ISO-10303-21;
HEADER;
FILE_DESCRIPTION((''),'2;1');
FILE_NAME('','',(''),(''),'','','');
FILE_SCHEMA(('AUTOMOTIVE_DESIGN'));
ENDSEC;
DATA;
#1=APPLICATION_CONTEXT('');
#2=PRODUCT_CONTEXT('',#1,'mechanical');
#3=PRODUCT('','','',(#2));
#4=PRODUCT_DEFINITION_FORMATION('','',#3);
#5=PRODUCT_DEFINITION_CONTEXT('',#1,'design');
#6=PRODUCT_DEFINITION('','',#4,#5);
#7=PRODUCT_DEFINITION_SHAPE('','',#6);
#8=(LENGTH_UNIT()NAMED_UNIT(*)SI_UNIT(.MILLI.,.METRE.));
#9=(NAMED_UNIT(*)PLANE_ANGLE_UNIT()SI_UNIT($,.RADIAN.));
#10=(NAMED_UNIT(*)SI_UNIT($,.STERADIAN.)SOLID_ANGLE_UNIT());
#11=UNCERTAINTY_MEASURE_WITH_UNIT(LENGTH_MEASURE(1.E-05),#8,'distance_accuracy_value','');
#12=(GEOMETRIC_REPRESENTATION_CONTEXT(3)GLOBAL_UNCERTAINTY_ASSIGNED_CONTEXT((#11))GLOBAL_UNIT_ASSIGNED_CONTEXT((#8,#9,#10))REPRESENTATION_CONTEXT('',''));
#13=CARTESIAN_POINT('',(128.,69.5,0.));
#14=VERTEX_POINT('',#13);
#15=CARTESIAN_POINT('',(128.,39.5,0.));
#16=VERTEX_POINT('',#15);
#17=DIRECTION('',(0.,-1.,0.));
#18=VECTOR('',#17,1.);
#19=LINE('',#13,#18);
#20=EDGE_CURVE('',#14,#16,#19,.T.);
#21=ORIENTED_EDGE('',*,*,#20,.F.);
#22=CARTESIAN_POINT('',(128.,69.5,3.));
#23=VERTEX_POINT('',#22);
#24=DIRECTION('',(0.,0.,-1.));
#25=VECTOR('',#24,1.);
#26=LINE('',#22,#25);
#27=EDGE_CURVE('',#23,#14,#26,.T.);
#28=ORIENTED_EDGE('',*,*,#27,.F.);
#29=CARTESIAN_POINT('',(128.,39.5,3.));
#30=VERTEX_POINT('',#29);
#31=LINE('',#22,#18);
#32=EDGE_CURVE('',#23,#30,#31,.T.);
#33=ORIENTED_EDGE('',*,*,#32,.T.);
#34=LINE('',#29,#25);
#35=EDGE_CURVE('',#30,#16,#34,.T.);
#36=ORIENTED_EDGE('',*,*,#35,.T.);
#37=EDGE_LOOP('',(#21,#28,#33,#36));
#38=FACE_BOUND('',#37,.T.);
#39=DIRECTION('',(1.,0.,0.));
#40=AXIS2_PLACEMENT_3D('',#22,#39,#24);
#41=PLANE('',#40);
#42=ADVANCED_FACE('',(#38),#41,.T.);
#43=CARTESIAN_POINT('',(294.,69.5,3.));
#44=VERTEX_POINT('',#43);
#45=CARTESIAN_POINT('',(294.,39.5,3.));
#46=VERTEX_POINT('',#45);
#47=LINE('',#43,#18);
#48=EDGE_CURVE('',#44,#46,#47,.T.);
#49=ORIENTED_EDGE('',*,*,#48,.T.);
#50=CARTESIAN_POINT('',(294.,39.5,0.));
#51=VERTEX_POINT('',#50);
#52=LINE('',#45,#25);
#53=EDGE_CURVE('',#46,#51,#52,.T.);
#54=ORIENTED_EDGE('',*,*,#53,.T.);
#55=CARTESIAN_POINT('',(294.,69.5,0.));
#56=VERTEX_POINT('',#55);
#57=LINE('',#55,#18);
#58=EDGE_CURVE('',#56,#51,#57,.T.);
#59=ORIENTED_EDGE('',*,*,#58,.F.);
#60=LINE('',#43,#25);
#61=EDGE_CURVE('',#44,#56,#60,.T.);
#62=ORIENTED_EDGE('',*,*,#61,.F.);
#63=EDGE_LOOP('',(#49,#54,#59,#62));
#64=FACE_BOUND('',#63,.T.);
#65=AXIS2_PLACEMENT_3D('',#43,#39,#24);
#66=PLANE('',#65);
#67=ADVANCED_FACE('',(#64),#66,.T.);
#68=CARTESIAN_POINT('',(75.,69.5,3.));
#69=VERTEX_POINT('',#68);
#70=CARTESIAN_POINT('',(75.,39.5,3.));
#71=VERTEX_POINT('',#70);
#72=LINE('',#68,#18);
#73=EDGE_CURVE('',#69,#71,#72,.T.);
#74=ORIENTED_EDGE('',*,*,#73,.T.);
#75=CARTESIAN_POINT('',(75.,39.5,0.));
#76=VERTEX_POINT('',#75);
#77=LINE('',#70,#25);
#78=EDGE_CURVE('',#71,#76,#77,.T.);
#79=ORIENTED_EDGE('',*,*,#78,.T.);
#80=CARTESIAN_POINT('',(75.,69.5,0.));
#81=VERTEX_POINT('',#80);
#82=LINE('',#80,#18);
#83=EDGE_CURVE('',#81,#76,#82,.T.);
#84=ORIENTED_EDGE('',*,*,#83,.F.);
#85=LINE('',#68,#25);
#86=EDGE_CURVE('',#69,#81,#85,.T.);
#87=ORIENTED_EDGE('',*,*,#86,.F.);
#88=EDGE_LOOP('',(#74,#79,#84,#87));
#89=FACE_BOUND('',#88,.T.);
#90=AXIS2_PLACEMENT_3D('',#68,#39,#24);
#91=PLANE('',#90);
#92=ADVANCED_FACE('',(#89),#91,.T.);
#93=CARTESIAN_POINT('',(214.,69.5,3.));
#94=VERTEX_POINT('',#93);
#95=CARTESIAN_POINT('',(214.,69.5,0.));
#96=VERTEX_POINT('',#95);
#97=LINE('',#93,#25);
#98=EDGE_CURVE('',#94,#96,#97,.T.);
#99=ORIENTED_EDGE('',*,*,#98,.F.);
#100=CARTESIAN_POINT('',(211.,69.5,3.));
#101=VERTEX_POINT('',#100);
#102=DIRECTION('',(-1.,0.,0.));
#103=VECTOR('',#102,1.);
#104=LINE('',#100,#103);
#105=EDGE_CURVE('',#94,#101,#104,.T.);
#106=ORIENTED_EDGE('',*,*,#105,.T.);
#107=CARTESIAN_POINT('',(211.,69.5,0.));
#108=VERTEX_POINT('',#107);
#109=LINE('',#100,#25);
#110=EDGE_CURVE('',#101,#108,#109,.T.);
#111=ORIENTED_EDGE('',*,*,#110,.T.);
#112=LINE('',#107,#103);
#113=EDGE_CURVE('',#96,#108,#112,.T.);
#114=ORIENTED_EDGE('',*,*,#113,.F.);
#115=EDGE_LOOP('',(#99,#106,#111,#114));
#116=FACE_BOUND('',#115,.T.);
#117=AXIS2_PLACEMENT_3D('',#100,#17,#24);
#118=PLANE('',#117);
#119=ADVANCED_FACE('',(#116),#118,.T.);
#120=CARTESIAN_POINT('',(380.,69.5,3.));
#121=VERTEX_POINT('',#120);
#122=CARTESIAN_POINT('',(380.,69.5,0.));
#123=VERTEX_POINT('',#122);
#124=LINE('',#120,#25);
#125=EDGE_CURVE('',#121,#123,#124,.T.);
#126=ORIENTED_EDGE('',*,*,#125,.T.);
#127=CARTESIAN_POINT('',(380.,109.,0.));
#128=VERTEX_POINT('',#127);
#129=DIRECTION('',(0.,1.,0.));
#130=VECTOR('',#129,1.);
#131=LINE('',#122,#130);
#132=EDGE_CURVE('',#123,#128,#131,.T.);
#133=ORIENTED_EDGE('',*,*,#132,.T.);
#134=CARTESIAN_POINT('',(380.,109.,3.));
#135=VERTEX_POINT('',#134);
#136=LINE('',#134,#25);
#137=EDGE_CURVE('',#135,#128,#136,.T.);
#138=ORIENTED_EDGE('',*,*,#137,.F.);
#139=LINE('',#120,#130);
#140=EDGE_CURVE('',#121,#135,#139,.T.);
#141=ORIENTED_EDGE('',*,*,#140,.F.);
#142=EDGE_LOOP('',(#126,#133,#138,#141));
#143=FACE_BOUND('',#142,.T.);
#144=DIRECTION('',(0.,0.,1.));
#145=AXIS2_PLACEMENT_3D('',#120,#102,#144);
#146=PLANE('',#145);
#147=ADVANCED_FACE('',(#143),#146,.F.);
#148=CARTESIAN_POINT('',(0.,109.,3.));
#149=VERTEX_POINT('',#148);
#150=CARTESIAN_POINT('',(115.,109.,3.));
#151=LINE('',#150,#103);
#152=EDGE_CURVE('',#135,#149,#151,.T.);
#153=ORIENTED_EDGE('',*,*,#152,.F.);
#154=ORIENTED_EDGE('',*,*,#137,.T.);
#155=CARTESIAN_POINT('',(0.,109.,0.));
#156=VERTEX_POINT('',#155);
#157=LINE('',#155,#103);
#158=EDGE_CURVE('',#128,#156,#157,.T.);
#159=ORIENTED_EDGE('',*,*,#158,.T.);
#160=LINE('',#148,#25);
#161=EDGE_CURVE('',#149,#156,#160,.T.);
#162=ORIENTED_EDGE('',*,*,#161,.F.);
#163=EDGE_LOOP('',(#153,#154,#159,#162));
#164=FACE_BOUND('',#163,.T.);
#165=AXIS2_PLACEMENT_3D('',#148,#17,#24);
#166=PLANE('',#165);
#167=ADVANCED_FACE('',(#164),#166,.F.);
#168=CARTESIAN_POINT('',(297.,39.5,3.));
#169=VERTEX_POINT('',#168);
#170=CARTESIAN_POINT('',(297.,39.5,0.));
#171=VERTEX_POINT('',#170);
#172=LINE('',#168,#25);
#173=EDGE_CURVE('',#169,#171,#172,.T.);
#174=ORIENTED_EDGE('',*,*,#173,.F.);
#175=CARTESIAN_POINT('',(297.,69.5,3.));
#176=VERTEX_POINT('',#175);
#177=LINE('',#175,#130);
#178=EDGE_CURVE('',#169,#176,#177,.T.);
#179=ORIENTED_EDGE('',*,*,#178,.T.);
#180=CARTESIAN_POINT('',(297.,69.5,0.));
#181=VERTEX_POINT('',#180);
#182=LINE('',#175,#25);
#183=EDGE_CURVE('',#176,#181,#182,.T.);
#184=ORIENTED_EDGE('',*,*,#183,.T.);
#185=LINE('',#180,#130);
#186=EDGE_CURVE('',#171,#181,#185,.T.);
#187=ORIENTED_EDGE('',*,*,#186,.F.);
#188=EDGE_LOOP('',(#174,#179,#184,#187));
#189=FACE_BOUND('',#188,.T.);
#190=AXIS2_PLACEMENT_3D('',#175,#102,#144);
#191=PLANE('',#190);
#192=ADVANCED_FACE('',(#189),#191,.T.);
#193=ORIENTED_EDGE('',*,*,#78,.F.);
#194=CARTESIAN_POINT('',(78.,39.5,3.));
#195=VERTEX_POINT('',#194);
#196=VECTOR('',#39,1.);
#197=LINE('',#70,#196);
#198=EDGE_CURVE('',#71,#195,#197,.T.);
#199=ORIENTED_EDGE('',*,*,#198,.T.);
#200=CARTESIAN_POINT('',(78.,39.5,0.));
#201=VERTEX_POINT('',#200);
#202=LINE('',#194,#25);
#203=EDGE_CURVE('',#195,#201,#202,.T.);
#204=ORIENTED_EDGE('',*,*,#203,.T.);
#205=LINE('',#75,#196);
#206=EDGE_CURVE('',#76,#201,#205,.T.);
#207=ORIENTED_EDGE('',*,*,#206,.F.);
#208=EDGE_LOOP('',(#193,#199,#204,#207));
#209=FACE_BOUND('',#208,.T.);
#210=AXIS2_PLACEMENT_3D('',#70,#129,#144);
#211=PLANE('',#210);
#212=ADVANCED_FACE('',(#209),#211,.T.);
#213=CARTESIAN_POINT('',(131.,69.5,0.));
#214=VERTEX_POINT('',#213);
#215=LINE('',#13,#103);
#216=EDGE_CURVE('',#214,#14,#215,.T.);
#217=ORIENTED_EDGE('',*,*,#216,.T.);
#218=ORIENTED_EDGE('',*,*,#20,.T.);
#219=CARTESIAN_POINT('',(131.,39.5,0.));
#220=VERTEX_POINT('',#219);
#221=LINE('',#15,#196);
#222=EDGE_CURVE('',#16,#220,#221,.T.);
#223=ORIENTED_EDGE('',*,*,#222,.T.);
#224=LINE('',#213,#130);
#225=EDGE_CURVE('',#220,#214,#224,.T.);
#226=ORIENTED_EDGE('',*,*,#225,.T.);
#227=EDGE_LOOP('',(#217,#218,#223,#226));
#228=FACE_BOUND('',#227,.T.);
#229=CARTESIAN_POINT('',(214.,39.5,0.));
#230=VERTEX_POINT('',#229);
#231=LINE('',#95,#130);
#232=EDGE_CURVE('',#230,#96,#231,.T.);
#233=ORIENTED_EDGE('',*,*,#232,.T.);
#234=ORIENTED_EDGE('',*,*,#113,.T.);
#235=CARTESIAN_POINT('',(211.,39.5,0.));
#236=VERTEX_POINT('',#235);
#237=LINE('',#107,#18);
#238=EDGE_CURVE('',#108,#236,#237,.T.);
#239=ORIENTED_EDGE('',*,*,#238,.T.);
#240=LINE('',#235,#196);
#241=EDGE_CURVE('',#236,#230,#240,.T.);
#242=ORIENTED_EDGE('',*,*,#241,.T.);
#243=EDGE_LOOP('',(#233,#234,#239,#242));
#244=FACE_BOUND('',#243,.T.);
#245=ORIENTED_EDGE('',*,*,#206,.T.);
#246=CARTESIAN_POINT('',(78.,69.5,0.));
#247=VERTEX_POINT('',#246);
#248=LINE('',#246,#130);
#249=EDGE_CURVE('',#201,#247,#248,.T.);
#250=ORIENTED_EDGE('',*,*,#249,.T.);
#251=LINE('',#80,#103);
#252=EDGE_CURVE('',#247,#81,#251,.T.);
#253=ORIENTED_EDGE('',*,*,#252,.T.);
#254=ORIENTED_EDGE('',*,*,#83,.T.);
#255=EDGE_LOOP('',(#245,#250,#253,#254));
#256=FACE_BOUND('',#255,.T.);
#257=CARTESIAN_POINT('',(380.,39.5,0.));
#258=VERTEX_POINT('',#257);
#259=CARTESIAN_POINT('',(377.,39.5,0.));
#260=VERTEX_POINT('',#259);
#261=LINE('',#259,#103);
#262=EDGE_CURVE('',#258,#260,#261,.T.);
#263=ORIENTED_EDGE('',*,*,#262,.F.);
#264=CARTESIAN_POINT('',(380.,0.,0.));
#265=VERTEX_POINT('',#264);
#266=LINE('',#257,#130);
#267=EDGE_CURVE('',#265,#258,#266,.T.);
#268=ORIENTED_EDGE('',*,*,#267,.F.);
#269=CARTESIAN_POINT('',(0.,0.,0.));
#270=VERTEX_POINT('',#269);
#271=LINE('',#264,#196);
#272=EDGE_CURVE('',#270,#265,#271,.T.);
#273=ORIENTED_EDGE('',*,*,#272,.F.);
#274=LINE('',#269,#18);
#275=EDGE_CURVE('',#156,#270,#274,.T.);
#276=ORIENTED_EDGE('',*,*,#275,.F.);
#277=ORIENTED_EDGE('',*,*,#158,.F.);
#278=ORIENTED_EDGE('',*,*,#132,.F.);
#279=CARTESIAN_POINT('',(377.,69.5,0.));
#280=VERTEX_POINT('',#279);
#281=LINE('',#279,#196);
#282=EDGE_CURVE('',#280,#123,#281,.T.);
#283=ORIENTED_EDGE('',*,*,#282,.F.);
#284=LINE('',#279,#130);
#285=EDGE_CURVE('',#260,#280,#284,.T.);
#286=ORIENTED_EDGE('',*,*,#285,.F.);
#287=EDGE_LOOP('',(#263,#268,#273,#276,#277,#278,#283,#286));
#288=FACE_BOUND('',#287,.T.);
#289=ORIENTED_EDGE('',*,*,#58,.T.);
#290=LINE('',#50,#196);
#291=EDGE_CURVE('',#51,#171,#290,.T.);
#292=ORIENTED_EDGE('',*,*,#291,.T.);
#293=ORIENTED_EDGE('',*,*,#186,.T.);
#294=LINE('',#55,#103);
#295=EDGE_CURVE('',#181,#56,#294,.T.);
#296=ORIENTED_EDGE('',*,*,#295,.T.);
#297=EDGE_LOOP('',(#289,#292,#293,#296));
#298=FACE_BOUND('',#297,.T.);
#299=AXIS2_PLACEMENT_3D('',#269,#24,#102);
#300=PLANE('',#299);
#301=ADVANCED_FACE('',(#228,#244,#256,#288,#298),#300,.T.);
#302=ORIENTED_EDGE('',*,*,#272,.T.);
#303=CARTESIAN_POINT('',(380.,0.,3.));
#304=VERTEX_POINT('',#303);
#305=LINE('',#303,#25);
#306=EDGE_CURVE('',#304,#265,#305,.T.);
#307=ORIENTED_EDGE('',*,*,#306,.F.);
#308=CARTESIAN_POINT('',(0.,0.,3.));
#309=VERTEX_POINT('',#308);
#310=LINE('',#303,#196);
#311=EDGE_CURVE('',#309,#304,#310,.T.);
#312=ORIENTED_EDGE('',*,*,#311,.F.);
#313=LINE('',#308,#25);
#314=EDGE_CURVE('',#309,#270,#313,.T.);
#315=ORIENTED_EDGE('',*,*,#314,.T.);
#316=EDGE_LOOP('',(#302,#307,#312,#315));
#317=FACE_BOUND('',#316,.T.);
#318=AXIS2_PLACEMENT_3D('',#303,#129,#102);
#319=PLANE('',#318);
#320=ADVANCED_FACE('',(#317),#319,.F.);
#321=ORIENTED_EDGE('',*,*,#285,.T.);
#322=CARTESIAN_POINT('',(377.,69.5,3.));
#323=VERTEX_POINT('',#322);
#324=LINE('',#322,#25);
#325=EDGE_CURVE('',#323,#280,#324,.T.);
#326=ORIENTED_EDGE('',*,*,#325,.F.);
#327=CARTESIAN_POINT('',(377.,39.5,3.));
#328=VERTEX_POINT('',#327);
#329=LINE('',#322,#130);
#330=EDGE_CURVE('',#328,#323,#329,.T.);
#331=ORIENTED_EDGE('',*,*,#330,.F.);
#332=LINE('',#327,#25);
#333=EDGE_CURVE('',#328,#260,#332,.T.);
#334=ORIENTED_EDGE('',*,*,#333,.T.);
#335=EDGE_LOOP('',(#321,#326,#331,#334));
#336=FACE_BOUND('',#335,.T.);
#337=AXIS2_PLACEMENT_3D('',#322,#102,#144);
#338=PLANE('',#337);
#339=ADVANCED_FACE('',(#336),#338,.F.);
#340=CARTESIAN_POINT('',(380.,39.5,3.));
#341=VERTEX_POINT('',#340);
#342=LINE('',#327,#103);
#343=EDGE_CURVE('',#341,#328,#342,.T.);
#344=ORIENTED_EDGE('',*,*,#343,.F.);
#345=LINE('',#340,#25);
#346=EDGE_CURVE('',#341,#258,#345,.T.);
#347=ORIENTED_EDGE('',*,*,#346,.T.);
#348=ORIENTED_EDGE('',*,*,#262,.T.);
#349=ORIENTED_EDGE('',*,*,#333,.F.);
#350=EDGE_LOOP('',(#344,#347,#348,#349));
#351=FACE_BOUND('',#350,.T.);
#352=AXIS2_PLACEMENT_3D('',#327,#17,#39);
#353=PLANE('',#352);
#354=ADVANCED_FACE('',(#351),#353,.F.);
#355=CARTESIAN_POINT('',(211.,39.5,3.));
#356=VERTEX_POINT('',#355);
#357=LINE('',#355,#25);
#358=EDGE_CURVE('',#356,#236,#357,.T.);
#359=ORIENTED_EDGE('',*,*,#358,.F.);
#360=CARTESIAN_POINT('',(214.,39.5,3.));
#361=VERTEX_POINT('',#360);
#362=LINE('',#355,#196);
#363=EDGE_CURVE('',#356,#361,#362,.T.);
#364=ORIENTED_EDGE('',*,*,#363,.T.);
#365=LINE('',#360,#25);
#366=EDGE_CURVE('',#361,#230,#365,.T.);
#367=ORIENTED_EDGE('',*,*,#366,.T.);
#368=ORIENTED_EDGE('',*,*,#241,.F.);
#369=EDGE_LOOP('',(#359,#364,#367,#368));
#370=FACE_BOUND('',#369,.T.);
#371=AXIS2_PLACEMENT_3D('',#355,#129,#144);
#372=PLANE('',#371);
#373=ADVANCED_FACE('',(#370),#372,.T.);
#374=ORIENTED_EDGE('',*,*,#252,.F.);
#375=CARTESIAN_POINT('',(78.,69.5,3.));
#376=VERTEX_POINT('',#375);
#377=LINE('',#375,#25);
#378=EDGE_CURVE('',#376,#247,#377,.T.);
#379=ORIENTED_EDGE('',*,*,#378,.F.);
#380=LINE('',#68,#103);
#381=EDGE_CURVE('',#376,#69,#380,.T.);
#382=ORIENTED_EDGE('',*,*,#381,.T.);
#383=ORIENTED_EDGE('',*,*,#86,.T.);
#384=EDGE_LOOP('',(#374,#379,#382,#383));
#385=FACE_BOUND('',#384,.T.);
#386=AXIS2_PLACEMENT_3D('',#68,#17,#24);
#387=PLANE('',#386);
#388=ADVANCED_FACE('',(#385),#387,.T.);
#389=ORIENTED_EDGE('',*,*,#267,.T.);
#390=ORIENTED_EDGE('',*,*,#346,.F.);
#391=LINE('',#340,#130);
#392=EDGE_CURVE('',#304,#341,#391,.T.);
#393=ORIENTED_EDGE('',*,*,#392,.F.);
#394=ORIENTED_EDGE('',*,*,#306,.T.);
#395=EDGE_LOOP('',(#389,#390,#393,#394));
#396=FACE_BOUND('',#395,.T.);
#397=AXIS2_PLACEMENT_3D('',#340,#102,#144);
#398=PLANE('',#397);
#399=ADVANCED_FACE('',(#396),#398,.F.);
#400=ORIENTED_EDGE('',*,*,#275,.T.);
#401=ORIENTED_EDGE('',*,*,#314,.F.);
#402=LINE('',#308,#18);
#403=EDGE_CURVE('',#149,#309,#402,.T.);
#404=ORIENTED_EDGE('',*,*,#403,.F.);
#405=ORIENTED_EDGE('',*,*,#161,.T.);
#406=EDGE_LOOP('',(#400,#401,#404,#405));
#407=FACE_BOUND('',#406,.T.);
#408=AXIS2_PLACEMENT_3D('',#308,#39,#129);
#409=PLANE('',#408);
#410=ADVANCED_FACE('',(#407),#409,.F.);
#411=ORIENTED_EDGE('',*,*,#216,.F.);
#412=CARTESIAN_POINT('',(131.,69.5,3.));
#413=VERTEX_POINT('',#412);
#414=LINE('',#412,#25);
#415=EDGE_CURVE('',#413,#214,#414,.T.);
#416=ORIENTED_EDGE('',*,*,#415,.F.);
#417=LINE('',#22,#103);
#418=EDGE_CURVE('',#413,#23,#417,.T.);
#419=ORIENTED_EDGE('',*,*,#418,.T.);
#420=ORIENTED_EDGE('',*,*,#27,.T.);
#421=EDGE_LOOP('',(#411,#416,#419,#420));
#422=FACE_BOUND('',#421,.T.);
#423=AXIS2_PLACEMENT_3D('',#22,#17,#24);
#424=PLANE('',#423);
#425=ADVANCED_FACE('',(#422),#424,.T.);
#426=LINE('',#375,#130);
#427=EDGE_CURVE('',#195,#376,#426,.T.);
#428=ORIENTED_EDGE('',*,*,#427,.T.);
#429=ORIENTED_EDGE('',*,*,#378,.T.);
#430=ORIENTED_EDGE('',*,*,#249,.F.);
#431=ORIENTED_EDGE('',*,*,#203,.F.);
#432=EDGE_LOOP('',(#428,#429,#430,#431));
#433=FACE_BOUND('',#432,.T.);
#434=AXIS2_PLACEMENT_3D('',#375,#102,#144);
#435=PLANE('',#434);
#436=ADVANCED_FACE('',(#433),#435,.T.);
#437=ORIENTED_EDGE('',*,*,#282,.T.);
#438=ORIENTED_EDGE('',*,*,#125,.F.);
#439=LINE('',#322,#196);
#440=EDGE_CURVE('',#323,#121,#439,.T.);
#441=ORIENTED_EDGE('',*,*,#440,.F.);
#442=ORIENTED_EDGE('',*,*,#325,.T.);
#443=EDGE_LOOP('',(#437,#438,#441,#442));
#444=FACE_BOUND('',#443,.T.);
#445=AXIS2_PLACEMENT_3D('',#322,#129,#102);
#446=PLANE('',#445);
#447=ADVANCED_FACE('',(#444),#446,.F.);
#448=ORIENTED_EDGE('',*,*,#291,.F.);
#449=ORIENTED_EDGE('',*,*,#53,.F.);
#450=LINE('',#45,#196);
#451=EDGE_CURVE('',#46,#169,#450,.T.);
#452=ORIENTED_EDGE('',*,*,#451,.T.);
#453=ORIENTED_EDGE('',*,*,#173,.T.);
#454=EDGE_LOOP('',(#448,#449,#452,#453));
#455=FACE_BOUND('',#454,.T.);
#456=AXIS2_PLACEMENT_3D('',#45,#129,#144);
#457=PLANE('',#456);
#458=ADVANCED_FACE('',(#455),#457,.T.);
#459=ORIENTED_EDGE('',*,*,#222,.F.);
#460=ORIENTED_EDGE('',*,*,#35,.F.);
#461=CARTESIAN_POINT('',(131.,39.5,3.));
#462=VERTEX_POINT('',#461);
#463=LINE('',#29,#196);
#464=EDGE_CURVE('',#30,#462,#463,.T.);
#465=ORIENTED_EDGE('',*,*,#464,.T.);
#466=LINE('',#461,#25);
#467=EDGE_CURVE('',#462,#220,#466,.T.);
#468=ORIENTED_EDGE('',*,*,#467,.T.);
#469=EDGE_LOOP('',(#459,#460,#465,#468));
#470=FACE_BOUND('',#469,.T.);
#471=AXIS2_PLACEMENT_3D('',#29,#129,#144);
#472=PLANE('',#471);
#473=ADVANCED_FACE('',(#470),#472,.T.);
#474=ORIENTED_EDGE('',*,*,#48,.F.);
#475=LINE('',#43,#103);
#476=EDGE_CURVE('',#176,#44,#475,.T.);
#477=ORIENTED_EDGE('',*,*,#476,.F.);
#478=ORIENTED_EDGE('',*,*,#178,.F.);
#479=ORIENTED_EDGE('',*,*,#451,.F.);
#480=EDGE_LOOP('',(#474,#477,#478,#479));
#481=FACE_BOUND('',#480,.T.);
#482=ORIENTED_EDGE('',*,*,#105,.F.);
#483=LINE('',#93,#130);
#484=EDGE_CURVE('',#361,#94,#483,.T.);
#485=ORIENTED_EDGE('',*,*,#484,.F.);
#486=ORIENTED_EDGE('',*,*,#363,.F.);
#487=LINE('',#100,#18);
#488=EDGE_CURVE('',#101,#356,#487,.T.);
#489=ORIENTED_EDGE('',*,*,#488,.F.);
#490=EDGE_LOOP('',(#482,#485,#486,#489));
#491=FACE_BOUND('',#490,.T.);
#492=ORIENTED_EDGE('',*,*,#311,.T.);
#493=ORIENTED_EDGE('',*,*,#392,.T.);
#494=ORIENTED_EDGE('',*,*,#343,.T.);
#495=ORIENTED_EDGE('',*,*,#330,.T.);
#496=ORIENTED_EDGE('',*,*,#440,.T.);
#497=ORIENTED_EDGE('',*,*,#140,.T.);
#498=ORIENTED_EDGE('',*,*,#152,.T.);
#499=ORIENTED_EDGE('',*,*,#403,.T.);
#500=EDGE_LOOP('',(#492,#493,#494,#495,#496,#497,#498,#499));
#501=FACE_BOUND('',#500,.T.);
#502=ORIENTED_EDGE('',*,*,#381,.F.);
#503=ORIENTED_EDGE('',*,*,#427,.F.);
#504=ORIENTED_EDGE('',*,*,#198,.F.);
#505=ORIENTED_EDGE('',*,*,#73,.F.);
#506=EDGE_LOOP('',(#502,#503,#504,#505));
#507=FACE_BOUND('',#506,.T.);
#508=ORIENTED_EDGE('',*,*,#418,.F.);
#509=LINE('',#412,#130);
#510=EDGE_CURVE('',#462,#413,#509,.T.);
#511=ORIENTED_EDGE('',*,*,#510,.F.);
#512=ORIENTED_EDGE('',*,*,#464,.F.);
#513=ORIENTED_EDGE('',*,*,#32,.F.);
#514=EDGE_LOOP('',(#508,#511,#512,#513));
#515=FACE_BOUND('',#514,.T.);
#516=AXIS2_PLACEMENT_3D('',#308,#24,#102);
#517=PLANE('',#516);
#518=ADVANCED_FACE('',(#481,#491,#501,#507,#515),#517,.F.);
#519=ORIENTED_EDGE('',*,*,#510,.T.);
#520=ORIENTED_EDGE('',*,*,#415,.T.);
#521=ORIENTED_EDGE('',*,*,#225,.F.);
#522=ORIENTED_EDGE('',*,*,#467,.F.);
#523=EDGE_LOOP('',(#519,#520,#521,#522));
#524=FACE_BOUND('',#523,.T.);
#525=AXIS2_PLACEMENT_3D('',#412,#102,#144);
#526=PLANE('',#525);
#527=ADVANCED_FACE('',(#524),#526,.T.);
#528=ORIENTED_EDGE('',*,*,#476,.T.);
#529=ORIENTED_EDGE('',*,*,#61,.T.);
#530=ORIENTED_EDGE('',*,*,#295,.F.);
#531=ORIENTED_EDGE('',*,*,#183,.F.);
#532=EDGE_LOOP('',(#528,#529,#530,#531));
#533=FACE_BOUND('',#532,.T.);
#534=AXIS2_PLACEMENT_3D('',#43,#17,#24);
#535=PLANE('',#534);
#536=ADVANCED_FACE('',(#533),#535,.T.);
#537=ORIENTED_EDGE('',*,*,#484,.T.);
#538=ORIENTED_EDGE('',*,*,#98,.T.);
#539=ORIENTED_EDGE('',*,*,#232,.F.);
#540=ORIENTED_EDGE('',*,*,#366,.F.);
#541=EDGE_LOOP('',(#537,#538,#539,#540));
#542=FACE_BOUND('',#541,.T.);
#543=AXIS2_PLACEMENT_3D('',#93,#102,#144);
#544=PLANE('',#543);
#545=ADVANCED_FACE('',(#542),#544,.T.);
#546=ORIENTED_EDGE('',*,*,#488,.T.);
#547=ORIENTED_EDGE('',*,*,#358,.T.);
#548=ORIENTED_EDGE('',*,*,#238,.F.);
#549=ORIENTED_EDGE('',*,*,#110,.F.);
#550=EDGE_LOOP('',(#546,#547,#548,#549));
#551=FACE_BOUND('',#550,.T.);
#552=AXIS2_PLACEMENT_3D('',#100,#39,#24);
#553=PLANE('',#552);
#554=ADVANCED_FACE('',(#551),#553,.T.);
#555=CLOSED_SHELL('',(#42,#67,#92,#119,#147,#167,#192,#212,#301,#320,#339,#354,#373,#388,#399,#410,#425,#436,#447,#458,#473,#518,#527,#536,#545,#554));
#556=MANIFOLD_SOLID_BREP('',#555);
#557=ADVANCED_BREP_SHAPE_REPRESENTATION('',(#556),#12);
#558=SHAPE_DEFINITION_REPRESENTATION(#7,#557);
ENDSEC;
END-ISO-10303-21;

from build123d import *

# Parameters (mm, degrees)
SKETCH1_W           = 3
SKETCH1_H           = 30
BOSS_EXTRUDE1_DEPTH = 3


with BuildPart() as part:
    # Sketch1 → Boss-Extrude1 (new body)
    with BuildSketch(Plane.XY):
        Polygon((380, 109), (115, 109), (0, 109), (0, 0), (380, 0), (380, 39.5), (377, 39.5), (377, 69.5), (380, 69.5), align=None)
        with Locations((76.5, 54.5)):
            Rectangle(SKETCH1_W, SKETCH1_H, mode=Mode.SUBTRACT)
        with Locations((129.5, 54.5)):
            Rectangle(SKETCH1_W, SKETCH1_H, mode=Mode.SUBTRACT)
        with Locations((212.5, 54.5)):
            Rectangle(SKETCH1_W, SKETCH1_H, mode=Mode.SUBTRACT)
        with Locations((295.5, 54.5)):
            Rectangle(SKETCH1_W, SKETCH1_H, mode=Mode.SUBTRACT)
    extrude(amount=BOSS_EXTRUDE1_DEPTH)


solid = part.part
